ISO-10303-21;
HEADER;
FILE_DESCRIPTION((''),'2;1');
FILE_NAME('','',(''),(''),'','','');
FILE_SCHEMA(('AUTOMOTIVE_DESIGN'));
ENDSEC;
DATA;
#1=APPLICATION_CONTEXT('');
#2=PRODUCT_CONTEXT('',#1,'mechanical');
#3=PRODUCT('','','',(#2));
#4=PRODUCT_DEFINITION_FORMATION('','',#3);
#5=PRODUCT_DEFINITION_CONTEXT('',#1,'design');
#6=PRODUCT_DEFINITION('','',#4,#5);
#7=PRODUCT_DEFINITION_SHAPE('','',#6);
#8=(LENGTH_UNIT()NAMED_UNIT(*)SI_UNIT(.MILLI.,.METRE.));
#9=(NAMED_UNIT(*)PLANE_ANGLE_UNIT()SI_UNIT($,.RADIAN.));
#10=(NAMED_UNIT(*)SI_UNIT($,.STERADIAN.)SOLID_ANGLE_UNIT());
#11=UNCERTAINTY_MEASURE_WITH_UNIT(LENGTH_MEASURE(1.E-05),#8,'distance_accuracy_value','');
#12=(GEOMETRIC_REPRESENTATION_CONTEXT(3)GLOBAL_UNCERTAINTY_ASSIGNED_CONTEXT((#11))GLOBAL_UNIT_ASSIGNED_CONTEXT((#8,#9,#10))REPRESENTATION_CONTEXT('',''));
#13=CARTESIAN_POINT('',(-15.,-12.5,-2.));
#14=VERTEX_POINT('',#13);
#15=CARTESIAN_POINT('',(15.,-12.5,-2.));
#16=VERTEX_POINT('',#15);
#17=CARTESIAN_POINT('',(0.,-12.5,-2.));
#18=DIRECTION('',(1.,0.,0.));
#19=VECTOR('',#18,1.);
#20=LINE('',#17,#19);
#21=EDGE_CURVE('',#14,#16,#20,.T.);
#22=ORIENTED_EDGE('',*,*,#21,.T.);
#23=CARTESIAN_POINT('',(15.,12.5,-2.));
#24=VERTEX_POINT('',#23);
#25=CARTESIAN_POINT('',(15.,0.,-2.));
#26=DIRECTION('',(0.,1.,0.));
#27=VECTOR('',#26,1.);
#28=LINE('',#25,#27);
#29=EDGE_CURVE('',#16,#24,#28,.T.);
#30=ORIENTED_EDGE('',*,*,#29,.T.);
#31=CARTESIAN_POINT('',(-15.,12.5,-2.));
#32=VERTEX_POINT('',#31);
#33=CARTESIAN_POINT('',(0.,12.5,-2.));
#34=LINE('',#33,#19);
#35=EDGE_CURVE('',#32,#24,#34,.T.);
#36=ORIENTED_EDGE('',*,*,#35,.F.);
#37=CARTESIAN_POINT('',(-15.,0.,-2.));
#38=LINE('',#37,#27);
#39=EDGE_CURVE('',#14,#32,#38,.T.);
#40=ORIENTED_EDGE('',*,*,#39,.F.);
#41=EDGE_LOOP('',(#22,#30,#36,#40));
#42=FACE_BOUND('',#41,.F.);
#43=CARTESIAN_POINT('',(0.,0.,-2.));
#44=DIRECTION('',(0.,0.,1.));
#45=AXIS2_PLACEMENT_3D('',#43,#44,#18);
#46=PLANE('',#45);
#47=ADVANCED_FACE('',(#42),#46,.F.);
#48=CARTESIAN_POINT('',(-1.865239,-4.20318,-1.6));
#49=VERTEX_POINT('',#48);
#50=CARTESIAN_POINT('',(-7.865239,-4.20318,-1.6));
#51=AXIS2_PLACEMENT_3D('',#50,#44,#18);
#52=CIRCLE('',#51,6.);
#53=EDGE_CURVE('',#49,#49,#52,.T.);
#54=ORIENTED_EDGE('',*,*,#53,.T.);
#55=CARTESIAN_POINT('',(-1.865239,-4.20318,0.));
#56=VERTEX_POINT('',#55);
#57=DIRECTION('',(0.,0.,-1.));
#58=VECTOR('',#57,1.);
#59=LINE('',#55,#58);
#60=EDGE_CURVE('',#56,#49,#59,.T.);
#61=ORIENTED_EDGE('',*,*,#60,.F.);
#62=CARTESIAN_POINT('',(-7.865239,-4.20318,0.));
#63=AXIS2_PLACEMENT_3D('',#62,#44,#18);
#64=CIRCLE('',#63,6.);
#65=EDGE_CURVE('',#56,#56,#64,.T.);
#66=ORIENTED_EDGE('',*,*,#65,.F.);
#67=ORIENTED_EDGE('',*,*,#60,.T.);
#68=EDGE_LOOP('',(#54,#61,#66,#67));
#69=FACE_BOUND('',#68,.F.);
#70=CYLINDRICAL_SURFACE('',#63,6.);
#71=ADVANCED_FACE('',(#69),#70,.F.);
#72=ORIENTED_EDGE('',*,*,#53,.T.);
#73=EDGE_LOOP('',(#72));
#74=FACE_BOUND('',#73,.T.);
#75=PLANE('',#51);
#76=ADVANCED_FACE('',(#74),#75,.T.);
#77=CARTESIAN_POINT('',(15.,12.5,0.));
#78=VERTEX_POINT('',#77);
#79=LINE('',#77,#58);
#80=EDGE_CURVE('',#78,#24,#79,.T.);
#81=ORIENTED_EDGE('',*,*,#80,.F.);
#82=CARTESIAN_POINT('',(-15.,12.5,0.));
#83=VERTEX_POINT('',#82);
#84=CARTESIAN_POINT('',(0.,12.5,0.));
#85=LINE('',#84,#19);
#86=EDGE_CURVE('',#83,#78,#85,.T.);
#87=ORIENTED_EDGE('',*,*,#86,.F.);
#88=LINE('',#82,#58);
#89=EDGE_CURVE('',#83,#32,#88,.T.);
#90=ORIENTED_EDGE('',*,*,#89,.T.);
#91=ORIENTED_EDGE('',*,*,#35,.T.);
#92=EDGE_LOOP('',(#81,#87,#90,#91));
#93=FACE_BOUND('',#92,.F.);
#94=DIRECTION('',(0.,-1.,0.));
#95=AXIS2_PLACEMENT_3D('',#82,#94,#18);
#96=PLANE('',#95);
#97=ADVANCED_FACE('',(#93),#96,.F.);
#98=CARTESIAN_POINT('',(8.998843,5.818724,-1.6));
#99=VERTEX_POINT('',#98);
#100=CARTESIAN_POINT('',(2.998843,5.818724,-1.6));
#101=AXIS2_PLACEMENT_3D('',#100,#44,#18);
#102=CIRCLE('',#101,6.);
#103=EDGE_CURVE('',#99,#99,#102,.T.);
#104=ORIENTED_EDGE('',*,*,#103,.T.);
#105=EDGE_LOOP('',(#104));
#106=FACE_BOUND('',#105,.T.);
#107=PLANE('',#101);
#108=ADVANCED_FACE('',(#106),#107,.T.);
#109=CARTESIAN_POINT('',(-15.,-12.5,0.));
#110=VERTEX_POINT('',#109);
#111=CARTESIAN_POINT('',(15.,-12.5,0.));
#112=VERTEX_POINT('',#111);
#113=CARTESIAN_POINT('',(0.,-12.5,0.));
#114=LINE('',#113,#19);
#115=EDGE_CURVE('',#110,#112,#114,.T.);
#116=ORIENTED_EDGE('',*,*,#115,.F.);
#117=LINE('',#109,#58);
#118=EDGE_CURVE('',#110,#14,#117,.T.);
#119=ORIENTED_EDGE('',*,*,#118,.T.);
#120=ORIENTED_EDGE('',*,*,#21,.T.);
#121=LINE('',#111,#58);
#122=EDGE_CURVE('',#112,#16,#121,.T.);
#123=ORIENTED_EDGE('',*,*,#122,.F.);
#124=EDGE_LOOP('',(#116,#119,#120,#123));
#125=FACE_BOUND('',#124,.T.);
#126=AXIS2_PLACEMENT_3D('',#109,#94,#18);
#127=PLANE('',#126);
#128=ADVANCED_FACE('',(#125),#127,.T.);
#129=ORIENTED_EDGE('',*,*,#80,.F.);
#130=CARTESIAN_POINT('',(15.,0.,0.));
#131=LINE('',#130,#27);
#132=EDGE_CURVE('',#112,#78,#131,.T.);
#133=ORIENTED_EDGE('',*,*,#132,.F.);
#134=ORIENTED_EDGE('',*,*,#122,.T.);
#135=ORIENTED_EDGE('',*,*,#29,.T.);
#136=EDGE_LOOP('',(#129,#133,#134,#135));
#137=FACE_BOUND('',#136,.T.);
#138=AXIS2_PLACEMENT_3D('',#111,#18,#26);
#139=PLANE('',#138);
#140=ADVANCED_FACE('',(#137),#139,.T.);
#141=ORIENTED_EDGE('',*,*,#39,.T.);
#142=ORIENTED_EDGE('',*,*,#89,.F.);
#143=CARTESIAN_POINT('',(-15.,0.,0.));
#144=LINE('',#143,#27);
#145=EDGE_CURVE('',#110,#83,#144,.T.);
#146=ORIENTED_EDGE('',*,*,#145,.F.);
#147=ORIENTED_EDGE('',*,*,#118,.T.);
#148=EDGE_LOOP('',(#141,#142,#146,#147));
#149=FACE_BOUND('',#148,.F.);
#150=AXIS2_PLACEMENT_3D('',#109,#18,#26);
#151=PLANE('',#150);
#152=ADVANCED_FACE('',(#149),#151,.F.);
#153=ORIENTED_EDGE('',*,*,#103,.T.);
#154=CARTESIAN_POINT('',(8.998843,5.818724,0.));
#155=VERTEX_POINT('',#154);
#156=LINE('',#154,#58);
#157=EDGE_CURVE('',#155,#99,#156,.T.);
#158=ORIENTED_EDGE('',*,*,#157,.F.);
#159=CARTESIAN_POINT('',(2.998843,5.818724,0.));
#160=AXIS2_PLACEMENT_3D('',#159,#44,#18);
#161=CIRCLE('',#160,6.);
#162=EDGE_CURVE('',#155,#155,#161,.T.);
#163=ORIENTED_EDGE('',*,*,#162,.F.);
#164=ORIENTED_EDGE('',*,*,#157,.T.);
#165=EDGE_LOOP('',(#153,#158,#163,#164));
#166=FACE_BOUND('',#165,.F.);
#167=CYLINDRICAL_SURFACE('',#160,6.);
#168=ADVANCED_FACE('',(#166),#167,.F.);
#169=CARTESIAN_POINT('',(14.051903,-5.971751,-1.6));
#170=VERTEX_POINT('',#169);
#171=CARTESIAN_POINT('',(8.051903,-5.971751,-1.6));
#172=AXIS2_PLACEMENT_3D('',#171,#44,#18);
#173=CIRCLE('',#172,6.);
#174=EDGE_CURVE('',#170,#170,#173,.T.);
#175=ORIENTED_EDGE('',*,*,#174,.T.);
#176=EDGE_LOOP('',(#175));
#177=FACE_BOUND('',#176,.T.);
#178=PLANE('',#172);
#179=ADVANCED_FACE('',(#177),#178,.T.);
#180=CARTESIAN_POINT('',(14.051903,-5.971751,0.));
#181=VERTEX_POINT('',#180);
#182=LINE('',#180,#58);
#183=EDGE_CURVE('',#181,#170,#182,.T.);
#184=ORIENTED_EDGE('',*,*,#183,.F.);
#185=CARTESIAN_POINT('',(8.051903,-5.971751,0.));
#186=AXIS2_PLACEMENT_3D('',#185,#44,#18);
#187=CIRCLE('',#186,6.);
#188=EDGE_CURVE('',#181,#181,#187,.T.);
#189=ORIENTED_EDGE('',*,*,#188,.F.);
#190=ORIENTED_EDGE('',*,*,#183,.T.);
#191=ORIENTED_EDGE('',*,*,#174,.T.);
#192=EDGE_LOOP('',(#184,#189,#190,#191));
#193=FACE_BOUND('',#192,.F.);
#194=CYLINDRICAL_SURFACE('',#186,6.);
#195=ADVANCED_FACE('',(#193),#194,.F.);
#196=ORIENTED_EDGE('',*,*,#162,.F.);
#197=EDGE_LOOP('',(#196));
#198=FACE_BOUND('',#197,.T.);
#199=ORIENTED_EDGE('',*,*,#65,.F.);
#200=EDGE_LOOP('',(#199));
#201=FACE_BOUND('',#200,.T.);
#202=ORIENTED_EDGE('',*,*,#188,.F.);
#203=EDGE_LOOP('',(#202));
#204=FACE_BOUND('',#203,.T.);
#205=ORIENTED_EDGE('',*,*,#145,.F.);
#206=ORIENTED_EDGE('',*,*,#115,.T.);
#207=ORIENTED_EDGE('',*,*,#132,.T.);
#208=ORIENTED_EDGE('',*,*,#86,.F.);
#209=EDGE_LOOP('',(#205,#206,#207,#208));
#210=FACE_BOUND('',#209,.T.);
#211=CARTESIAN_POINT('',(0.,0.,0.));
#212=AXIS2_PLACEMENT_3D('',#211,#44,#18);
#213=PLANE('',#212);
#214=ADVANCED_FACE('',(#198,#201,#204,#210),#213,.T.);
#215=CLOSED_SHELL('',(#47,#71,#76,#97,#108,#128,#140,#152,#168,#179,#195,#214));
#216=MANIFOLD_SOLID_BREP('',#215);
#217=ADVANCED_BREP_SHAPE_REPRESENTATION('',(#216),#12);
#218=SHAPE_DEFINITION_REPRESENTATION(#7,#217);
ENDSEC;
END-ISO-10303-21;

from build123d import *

# Parameters (mm, degrees)
F0_W     = 30
F0_H     = 25
F1_DEPTH = 2
F2_R     = 6
F3_DEPTH = 1.6


with BuildPart() as f1:
    # F0 (on Top) → F1 (new body)
    with BuildSketch(Plane.XY):
        Rectangle(F0_W, F0_H)
    extrude(amount=-F1_DEPTH)

    # F2 (on Top) → F3 (cut)
    with BuildSketch(Plane.XY):
        with Locations((-7.865239, -4.20318)):
            Circle(F2_R)
        with Locations((2.998843, 5.818724)):
            Circle(F2_R)
        with Locations((8.051903, -5.971751)):
            Circle(F2_R)
    extrude(amount=-F3_DEPTH, mode=Mode.SUBTRACT)


solid = f1.part
